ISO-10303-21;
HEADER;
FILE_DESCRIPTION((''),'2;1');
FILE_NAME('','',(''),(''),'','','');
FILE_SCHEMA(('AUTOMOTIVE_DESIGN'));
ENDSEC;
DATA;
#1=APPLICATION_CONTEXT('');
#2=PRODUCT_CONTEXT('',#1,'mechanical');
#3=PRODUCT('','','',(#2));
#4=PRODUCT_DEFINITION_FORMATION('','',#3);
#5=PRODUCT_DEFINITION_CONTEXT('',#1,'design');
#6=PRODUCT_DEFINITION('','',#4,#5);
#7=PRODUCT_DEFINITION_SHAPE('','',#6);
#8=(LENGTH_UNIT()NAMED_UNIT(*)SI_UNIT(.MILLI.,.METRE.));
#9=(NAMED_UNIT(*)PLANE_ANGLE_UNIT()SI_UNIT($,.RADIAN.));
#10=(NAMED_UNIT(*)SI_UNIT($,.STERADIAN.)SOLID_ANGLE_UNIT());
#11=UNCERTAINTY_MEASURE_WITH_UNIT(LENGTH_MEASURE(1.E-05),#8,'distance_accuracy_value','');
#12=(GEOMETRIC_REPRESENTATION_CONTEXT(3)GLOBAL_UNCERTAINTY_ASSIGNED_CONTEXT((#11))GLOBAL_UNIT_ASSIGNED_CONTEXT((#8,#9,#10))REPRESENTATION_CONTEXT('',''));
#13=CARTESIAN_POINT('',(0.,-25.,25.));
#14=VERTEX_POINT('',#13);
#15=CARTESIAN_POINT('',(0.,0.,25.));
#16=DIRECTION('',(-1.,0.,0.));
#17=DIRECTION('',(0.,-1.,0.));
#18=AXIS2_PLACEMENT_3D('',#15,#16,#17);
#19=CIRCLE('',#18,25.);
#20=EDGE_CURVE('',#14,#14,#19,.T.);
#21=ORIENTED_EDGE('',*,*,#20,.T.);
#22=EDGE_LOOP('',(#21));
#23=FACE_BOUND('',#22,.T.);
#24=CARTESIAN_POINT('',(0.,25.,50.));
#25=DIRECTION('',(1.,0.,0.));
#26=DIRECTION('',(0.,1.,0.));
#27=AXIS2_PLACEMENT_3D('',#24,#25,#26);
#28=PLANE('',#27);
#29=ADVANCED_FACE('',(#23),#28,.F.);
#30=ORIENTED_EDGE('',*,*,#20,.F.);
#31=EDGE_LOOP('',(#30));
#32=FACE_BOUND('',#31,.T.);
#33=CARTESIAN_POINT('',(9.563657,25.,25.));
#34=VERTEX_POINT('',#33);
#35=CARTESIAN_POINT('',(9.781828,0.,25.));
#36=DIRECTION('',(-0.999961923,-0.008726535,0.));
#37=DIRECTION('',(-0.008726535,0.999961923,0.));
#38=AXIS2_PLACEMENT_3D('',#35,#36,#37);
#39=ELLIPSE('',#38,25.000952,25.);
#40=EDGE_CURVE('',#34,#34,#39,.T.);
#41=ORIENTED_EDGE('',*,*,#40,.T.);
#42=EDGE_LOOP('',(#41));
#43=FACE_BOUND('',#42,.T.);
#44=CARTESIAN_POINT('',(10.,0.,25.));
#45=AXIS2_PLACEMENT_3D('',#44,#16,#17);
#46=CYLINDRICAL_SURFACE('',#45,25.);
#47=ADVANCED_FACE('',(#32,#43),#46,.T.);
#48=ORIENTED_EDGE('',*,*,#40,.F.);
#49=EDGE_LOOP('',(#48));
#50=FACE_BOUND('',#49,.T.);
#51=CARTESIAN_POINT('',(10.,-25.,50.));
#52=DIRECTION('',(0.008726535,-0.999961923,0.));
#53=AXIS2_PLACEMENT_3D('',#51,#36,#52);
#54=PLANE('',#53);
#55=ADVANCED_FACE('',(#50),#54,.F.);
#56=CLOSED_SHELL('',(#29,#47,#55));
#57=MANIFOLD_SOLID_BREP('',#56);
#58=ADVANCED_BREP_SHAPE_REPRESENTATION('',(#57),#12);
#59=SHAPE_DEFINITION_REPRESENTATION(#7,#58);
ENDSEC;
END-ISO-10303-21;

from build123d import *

# Parameters (mm, degrees)
EXTRUDE_1_DEPTH     = 50
CUT_EXTRUDE_1_DEPTH = 10


with BuildPart() as part:
    # 草图1 → 凸台-拉伸1 (new body)
    with BuildSketch(Plane.XY):
        Polygon((0, 25), (0, -25), (10, -25), (9.56365661, 25), align=None)
    extrude(amount=EXTRUDE_1_DEPTH)

    # 草图2 → 切除-拉伸1 (cut)
    with BuildSketch(Plane.ZY):
        with BuildLine():
            ThreePointArc((25, -25), (7.32233048, -17.677669539), (0, -2.6e-08))
            Line((0, -2.6e-08), (0, -25))
            Line((0, -25), (25, -25))
        make_face()
        with BuildLine():
            ThreePointArc((50, 0), (42.67766953, -17.67766953), (25, -25))
            Line((25, -25), (50, -25))
            Line((50, -25), (50, 0))
        make_face()
        with BuildLine():
            Line((50, 25), (25, 25))
            ThreePointArc((25, 25), (42.67766953, 17.67766953), (50, 0))
            Line((50, 0), (50, 25))
        make_face()
        with BuildLine():
            Line((25, 25), (0, 25))
            Line((0, 25), (0, -2.6e-08))
            ThreePointArc((0, -2.6e-08), (7.322330461, 17.67766952), (25, 25))
        make_face()
    extrude(amount=-CUT_EXTRUDE_1_DEPTH, mode=Mode.SUBTRACT)


solid = part.part
